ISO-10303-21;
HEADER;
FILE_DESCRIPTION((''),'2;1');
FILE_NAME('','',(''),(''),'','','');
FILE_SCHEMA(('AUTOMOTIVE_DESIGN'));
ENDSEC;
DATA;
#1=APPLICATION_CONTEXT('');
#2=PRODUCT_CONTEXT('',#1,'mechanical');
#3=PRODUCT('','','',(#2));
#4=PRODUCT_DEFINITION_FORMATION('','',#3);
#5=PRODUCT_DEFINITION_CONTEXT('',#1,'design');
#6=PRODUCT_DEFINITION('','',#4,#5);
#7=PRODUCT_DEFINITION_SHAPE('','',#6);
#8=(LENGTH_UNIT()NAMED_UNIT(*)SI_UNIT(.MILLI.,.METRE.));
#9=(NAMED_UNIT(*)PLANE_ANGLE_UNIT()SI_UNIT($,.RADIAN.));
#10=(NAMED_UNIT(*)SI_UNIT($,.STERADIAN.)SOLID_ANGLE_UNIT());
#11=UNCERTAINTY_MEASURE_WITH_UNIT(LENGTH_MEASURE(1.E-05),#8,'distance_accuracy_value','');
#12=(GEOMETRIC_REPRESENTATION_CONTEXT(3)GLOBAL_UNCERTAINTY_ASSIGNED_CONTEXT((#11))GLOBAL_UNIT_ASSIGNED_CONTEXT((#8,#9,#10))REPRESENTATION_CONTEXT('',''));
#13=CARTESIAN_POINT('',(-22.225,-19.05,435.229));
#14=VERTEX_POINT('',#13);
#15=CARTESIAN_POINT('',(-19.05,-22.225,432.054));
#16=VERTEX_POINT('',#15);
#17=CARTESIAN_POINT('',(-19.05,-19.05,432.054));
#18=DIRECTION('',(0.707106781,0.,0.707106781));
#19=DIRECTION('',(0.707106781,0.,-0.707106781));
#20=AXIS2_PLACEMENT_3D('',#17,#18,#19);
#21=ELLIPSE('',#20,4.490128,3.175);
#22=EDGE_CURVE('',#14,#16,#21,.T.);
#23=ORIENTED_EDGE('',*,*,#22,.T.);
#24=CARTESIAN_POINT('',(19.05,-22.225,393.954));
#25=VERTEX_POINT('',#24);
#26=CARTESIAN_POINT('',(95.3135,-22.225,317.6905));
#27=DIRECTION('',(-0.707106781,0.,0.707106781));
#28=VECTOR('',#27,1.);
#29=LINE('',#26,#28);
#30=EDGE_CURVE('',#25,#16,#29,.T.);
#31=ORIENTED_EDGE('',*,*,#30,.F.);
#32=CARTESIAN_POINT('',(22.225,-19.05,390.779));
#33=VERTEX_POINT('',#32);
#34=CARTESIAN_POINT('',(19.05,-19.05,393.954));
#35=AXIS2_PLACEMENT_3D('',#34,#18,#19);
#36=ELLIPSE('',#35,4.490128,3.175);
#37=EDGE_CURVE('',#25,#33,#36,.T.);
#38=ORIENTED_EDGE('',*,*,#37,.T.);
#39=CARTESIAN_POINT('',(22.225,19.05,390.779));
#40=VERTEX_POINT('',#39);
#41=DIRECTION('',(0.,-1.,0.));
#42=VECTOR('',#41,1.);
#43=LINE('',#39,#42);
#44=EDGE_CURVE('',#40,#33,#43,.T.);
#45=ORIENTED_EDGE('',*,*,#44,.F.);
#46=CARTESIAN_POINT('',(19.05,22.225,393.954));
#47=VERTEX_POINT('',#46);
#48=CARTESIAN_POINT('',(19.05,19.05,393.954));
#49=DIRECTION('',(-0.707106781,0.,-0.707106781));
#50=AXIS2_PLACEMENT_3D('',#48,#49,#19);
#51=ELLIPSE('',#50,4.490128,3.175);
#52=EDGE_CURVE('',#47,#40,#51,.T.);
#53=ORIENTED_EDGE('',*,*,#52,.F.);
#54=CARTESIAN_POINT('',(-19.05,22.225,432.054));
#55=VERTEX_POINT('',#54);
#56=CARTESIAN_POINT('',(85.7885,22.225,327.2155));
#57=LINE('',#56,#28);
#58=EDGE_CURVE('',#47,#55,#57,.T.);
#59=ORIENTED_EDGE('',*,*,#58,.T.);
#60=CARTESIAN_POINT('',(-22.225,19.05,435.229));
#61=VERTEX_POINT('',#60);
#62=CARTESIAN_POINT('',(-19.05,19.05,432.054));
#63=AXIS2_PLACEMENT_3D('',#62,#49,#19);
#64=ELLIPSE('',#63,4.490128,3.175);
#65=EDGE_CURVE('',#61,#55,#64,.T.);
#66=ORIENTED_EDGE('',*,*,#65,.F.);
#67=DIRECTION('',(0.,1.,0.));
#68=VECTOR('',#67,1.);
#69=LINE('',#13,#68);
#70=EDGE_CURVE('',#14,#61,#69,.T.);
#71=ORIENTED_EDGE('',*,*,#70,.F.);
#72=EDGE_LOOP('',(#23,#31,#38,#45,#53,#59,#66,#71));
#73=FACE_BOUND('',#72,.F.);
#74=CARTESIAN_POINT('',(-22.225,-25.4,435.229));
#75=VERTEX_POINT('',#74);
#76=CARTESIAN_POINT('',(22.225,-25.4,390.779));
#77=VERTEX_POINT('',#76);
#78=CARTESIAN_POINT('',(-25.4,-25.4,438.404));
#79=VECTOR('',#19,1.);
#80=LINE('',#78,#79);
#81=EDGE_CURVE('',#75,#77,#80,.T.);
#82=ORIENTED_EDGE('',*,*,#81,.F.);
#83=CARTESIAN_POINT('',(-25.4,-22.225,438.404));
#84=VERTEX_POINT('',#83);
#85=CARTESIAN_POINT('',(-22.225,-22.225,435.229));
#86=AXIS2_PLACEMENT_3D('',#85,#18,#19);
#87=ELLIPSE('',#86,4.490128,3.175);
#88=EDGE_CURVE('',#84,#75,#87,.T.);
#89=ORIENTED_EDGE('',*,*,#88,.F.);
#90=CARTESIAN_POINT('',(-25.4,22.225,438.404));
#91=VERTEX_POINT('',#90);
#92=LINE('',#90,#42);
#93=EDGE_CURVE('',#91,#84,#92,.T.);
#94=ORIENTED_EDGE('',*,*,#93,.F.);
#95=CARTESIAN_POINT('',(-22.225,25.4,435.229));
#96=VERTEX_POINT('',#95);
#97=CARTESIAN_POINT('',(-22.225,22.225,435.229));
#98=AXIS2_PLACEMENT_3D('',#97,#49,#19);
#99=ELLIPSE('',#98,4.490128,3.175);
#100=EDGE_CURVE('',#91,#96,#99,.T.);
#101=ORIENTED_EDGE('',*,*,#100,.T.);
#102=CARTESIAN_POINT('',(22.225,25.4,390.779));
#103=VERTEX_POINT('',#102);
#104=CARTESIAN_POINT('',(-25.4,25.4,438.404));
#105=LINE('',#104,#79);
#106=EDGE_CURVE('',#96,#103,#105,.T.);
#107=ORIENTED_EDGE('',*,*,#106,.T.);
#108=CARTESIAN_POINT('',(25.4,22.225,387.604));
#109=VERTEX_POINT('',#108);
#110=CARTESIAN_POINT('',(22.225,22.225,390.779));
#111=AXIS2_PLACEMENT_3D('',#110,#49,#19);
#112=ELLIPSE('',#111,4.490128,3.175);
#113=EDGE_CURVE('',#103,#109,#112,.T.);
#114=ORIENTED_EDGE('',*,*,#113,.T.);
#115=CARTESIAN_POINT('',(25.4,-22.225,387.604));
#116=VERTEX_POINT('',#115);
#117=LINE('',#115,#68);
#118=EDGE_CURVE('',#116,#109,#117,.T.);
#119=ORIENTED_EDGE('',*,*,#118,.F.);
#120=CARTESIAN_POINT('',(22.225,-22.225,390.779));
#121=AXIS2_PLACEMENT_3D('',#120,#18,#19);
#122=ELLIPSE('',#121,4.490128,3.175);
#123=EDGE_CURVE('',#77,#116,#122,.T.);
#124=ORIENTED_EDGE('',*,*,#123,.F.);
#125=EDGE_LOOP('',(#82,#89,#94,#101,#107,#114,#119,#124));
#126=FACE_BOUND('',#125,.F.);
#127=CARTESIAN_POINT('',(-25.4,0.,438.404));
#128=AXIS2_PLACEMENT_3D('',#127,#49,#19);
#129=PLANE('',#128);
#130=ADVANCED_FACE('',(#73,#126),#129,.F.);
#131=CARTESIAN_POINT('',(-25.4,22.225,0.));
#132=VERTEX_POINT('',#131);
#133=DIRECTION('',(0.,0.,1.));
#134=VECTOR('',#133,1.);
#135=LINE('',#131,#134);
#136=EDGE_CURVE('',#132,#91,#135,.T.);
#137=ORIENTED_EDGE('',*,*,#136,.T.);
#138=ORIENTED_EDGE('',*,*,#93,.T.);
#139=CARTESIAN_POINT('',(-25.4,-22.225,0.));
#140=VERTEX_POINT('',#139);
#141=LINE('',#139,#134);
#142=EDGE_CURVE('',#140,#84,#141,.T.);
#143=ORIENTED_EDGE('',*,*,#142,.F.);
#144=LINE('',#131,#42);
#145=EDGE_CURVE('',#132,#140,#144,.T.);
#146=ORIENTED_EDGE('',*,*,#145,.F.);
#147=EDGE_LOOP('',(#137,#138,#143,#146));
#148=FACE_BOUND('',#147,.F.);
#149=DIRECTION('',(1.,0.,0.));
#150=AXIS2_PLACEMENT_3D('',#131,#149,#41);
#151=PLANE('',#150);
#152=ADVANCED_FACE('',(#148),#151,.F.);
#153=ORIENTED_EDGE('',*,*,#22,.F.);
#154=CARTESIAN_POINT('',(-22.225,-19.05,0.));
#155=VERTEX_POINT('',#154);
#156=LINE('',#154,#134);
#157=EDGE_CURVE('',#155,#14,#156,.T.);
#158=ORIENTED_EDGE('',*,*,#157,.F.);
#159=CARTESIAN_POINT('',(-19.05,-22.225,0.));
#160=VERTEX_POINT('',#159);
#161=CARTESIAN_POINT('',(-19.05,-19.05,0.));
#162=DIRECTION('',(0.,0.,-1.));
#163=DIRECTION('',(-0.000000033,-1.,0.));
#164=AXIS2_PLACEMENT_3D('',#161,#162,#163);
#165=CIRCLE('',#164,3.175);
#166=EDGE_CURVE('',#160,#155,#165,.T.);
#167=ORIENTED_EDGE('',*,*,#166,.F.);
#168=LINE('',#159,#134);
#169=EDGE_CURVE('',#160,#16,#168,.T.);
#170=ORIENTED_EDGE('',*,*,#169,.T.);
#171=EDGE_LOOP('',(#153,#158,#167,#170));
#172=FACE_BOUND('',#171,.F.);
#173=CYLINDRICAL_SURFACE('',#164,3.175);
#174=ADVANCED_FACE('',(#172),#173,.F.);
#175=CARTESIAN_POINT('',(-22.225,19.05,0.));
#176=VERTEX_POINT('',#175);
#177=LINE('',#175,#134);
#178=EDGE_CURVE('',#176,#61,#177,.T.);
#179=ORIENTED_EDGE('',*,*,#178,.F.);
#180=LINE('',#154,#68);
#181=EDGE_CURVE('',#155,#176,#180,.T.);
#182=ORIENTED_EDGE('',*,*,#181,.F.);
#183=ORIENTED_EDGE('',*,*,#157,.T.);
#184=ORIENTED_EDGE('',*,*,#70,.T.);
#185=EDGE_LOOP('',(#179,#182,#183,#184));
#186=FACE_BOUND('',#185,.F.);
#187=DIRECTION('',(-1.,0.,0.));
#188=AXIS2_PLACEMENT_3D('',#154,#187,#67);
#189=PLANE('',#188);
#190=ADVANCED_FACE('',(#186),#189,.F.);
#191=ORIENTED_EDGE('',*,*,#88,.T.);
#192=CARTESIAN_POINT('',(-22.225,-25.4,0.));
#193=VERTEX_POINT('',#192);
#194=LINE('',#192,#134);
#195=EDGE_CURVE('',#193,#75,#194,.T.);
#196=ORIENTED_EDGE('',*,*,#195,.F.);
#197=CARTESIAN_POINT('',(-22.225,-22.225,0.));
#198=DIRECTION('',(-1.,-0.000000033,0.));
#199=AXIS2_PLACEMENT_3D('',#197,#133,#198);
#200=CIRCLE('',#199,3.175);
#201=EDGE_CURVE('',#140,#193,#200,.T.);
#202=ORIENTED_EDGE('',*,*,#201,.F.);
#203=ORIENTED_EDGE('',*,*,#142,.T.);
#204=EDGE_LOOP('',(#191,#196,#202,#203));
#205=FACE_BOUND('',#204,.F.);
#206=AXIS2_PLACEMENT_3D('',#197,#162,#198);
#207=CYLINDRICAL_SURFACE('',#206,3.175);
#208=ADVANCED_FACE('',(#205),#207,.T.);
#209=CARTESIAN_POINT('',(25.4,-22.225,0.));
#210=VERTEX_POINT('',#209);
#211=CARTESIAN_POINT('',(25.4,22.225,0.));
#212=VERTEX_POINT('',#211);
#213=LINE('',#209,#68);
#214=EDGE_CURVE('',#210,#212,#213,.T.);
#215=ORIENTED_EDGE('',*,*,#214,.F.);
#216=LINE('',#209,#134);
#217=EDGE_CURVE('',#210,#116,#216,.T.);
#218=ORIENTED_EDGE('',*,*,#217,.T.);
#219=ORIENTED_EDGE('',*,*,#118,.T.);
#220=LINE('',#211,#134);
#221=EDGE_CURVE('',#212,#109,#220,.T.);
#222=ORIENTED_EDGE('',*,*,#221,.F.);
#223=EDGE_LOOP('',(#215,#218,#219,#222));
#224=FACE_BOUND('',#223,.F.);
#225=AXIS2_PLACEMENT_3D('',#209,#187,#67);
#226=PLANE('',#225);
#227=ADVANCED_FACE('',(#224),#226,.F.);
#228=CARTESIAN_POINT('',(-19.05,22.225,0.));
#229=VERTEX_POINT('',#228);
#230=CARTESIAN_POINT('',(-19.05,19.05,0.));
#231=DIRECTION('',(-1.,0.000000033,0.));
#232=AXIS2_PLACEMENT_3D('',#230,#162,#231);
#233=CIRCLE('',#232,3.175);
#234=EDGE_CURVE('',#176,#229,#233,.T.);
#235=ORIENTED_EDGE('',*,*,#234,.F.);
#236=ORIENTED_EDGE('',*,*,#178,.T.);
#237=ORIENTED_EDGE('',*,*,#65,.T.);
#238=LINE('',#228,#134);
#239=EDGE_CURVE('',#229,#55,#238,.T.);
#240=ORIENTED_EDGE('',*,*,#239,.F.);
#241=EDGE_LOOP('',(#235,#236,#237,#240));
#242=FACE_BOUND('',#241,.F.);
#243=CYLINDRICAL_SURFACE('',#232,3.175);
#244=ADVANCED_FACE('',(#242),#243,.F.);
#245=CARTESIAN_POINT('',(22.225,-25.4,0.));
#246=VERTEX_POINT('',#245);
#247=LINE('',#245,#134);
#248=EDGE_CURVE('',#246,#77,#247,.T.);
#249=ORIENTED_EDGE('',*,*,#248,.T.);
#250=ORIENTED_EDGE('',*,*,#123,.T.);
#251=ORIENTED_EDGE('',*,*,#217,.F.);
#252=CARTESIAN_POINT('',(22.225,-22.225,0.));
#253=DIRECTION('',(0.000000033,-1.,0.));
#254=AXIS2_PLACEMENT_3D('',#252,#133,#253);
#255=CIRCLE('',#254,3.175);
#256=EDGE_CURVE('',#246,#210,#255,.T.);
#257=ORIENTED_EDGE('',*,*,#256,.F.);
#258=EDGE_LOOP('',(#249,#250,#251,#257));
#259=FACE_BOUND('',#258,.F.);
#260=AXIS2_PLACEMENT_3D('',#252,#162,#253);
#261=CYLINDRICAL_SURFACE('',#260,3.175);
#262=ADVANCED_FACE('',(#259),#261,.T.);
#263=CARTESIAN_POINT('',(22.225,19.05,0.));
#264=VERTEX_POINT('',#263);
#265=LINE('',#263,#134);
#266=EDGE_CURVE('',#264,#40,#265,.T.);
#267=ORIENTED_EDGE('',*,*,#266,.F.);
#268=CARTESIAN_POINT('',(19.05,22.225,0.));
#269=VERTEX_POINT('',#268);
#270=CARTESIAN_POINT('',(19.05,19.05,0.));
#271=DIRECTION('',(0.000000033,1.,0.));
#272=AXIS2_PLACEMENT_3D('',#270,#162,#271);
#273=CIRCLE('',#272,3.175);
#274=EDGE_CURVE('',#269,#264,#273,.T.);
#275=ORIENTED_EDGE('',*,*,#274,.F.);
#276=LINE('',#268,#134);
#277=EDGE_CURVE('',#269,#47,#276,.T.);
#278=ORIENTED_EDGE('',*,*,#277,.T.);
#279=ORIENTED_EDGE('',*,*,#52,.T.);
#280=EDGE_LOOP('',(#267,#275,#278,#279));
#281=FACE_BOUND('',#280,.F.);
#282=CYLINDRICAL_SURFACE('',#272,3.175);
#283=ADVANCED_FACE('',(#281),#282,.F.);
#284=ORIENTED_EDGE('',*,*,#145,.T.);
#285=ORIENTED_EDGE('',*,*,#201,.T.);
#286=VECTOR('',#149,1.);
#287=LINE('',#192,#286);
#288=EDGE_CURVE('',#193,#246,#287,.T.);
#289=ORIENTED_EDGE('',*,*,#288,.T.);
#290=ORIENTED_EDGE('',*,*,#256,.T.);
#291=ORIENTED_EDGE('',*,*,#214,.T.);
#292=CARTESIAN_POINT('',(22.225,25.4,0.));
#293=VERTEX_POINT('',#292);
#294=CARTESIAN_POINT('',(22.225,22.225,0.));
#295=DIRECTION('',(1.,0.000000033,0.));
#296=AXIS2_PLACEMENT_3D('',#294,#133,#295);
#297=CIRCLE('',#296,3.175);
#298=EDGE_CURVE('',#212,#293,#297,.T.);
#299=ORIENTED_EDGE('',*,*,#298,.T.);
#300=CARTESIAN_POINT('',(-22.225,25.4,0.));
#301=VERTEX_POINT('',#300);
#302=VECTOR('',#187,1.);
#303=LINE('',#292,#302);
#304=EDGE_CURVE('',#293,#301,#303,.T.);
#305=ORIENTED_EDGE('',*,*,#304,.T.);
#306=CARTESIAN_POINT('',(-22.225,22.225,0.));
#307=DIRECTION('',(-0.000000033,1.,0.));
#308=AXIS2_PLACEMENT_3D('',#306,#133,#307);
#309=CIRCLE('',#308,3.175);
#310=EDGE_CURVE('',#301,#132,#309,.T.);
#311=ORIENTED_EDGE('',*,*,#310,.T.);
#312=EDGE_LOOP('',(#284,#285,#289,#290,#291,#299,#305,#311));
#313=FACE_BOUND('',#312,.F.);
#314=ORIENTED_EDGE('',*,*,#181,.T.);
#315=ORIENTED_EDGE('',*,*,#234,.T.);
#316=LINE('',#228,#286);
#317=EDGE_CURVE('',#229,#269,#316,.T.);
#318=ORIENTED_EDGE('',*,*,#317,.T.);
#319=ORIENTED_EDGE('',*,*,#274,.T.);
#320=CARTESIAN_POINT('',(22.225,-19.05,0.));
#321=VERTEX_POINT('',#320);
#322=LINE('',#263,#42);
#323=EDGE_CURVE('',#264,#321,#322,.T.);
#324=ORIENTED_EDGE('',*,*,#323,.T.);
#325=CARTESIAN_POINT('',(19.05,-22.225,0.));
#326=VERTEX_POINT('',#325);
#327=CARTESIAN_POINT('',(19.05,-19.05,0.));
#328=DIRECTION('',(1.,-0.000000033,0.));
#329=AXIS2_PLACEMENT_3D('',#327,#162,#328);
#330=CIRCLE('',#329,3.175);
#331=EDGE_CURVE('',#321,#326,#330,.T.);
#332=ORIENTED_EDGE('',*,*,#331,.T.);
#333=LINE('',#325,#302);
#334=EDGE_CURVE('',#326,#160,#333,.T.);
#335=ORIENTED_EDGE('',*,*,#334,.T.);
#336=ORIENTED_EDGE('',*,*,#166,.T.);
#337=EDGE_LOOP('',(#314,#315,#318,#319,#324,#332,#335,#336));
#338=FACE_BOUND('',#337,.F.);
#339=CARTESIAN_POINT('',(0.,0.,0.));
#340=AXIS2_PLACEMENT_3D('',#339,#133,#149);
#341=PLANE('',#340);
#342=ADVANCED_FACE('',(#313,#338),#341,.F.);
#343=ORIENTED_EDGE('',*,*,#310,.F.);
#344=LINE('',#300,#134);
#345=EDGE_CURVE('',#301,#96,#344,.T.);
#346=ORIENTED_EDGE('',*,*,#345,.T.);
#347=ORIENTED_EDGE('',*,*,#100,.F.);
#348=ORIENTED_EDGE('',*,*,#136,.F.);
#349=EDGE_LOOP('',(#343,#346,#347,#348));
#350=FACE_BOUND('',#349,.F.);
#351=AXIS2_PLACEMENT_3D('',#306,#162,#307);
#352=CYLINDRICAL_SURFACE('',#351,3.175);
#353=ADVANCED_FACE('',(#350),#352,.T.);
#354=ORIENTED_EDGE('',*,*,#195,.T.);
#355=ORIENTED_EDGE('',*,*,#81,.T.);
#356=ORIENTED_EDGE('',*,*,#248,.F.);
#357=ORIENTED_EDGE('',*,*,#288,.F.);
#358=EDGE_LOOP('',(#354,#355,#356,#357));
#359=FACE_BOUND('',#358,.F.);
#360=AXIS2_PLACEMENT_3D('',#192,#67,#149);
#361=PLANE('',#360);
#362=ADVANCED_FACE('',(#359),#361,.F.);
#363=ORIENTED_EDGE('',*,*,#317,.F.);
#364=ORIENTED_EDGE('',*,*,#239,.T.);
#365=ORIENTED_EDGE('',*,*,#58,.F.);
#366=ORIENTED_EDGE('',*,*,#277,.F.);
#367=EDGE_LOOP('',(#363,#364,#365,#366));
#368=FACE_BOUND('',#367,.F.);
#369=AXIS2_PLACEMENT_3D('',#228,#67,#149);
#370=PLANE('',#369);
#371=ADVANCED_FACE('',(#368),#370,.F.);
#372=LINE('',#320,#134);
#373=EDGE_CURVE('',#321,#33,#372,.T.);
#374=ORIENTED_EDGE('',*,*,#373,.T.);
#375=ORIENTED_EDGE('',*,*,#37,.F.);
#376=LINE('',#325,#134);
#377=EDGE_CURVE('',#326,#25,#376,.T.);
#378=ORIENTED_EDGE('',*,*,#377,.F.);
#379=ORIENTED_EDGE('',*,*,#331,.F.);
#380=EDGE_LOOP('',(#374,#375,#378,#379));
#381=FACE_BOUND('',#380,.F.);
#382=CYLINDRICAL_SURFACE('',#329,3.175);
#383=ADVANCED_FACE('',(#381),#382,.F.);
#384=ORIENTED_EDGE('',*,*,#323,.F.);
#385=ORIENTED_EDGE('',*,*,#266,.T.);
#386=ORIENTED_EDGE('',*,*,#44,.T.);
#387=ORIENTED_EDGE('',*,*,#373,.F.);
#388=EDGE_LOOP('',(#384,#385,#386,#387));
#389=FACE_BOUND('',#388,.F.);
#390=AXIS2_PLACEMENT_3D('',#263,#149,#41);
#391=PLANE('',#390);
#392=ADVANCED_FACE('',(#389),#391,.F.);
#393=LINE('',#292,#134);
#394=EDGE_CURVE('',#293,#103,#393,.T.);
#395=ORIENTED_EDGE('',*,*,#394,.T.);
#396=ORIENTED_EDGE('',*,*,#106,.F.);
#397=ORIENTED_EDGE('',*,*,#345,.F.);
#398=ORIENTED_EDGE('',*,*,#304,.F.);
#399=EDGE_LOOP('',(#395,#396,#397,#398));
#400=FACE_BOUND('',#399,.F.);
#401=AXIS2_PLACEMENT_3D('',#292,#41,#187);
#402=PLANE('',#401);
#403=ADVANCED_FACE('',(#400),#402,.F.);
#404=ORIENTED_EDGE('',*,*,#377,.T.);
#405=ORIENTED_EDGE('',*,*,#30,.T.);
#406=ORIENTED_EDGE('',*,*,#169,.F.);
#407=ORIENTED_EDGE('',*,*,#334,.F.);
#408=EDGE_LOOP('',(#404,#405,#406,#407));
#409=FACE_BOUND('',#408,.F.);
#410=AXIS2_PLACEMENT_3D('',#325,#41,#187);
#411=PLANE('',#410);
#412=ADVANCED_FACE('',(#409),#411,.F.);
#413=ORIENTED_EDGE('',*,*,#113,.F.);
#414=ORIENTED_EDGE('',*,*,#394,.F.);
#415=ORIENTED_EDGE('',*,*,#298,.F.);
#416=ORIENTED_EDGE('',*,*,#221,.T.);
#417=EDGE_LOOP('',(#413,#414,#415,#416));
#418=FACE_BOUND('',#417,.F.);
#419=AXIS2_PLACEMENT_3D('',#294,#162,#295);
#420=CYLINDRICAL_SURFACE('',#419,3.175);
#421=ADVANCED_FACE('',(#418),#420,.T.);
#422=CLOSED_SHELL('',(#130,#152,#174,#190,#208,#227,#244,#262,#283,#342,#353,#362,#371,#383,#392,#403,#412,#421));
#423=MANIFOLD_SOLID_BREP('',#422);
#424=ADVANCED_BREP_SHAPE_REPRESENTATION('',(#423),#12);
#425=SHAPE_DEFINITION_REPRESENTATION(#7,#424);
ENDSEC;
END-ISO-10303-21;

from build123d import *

# Parameters (mm, degrees)
F1_DEPTH      = 438.404
F3_DEPTH      = 25.4
F3_DEPTH_BACK = 25.4


with BuildPart() as f1:
    # F0 (on Top) → F1 (new body)
    with BuildSketch(Plane.XY):
        with BuildLine():
            ThreePointArc((25.4, 22.225), (24.470064, 24.470064), (22.225, 25.4))
            Line((22.225, 25.4), (-22.225, 25.4))
            ThreePointArc((-22.225, 25.4), (-24.470064, 24.470064), (-25.4, 22.225))
            Line((-25.4, 22.225), (-25.4, -22.225))
            ThreePointArc((-25.4, -22.225), (-24.470064, -24.470064), (-22.225, -25.4))
            Line((-22.225, -25.4), (22.225, -25.4))
            ThreePointArc((22.225, -25.4), (24.470064, -24.470064), (25.4, -22.225))
            Line((25.4, -22.225), (25.4, 22.225))
        make_face()
        with BuildLine():
            Line((-19.05, 22.225), (19.05, 22.225))
            ThreePointArc((19.05, 22.225), (21.295064, 21.295064), (22.225, 19.05))
            Line((22.225, 19.05), (22.225, -19.05))
            ThreePointArc((22.225, -19.05), (21.295064, -21.295064), (19.05, -22.225))
            Line((19.05, -22.225), (-19.05, -22.225))
            ThreePointArc((-19.05, -22.225), (-21.295064, -21.295064), (-22.225, -19.05))
            Line((-22.225, -19.05), (-22.225, 19.05))
            ThreePointArc((-22.225, 19.05), (-21.295064, 21.295064), (-19.05, 22.225))
        make_face(mode=Mode.SUBTRACT)
    extrude(amount=F1_DEPTH)

    # F2 (on Front) → F3 (cut, two sides)
    with BuildSketch(Plane.XZ) as f3_sk:
        Polygon((25.4, 387.604), (25.4, 438.404), (-25.4, 438.404), align=None)
    extrude(amount=F3_DEPTH, mode=Mode.SUBTRACT)
    extrude(f3_sk.sketch, amount=-F3_DEPTH_BACK, mode=Mode.SUBTRACT)


solid = f1.part
